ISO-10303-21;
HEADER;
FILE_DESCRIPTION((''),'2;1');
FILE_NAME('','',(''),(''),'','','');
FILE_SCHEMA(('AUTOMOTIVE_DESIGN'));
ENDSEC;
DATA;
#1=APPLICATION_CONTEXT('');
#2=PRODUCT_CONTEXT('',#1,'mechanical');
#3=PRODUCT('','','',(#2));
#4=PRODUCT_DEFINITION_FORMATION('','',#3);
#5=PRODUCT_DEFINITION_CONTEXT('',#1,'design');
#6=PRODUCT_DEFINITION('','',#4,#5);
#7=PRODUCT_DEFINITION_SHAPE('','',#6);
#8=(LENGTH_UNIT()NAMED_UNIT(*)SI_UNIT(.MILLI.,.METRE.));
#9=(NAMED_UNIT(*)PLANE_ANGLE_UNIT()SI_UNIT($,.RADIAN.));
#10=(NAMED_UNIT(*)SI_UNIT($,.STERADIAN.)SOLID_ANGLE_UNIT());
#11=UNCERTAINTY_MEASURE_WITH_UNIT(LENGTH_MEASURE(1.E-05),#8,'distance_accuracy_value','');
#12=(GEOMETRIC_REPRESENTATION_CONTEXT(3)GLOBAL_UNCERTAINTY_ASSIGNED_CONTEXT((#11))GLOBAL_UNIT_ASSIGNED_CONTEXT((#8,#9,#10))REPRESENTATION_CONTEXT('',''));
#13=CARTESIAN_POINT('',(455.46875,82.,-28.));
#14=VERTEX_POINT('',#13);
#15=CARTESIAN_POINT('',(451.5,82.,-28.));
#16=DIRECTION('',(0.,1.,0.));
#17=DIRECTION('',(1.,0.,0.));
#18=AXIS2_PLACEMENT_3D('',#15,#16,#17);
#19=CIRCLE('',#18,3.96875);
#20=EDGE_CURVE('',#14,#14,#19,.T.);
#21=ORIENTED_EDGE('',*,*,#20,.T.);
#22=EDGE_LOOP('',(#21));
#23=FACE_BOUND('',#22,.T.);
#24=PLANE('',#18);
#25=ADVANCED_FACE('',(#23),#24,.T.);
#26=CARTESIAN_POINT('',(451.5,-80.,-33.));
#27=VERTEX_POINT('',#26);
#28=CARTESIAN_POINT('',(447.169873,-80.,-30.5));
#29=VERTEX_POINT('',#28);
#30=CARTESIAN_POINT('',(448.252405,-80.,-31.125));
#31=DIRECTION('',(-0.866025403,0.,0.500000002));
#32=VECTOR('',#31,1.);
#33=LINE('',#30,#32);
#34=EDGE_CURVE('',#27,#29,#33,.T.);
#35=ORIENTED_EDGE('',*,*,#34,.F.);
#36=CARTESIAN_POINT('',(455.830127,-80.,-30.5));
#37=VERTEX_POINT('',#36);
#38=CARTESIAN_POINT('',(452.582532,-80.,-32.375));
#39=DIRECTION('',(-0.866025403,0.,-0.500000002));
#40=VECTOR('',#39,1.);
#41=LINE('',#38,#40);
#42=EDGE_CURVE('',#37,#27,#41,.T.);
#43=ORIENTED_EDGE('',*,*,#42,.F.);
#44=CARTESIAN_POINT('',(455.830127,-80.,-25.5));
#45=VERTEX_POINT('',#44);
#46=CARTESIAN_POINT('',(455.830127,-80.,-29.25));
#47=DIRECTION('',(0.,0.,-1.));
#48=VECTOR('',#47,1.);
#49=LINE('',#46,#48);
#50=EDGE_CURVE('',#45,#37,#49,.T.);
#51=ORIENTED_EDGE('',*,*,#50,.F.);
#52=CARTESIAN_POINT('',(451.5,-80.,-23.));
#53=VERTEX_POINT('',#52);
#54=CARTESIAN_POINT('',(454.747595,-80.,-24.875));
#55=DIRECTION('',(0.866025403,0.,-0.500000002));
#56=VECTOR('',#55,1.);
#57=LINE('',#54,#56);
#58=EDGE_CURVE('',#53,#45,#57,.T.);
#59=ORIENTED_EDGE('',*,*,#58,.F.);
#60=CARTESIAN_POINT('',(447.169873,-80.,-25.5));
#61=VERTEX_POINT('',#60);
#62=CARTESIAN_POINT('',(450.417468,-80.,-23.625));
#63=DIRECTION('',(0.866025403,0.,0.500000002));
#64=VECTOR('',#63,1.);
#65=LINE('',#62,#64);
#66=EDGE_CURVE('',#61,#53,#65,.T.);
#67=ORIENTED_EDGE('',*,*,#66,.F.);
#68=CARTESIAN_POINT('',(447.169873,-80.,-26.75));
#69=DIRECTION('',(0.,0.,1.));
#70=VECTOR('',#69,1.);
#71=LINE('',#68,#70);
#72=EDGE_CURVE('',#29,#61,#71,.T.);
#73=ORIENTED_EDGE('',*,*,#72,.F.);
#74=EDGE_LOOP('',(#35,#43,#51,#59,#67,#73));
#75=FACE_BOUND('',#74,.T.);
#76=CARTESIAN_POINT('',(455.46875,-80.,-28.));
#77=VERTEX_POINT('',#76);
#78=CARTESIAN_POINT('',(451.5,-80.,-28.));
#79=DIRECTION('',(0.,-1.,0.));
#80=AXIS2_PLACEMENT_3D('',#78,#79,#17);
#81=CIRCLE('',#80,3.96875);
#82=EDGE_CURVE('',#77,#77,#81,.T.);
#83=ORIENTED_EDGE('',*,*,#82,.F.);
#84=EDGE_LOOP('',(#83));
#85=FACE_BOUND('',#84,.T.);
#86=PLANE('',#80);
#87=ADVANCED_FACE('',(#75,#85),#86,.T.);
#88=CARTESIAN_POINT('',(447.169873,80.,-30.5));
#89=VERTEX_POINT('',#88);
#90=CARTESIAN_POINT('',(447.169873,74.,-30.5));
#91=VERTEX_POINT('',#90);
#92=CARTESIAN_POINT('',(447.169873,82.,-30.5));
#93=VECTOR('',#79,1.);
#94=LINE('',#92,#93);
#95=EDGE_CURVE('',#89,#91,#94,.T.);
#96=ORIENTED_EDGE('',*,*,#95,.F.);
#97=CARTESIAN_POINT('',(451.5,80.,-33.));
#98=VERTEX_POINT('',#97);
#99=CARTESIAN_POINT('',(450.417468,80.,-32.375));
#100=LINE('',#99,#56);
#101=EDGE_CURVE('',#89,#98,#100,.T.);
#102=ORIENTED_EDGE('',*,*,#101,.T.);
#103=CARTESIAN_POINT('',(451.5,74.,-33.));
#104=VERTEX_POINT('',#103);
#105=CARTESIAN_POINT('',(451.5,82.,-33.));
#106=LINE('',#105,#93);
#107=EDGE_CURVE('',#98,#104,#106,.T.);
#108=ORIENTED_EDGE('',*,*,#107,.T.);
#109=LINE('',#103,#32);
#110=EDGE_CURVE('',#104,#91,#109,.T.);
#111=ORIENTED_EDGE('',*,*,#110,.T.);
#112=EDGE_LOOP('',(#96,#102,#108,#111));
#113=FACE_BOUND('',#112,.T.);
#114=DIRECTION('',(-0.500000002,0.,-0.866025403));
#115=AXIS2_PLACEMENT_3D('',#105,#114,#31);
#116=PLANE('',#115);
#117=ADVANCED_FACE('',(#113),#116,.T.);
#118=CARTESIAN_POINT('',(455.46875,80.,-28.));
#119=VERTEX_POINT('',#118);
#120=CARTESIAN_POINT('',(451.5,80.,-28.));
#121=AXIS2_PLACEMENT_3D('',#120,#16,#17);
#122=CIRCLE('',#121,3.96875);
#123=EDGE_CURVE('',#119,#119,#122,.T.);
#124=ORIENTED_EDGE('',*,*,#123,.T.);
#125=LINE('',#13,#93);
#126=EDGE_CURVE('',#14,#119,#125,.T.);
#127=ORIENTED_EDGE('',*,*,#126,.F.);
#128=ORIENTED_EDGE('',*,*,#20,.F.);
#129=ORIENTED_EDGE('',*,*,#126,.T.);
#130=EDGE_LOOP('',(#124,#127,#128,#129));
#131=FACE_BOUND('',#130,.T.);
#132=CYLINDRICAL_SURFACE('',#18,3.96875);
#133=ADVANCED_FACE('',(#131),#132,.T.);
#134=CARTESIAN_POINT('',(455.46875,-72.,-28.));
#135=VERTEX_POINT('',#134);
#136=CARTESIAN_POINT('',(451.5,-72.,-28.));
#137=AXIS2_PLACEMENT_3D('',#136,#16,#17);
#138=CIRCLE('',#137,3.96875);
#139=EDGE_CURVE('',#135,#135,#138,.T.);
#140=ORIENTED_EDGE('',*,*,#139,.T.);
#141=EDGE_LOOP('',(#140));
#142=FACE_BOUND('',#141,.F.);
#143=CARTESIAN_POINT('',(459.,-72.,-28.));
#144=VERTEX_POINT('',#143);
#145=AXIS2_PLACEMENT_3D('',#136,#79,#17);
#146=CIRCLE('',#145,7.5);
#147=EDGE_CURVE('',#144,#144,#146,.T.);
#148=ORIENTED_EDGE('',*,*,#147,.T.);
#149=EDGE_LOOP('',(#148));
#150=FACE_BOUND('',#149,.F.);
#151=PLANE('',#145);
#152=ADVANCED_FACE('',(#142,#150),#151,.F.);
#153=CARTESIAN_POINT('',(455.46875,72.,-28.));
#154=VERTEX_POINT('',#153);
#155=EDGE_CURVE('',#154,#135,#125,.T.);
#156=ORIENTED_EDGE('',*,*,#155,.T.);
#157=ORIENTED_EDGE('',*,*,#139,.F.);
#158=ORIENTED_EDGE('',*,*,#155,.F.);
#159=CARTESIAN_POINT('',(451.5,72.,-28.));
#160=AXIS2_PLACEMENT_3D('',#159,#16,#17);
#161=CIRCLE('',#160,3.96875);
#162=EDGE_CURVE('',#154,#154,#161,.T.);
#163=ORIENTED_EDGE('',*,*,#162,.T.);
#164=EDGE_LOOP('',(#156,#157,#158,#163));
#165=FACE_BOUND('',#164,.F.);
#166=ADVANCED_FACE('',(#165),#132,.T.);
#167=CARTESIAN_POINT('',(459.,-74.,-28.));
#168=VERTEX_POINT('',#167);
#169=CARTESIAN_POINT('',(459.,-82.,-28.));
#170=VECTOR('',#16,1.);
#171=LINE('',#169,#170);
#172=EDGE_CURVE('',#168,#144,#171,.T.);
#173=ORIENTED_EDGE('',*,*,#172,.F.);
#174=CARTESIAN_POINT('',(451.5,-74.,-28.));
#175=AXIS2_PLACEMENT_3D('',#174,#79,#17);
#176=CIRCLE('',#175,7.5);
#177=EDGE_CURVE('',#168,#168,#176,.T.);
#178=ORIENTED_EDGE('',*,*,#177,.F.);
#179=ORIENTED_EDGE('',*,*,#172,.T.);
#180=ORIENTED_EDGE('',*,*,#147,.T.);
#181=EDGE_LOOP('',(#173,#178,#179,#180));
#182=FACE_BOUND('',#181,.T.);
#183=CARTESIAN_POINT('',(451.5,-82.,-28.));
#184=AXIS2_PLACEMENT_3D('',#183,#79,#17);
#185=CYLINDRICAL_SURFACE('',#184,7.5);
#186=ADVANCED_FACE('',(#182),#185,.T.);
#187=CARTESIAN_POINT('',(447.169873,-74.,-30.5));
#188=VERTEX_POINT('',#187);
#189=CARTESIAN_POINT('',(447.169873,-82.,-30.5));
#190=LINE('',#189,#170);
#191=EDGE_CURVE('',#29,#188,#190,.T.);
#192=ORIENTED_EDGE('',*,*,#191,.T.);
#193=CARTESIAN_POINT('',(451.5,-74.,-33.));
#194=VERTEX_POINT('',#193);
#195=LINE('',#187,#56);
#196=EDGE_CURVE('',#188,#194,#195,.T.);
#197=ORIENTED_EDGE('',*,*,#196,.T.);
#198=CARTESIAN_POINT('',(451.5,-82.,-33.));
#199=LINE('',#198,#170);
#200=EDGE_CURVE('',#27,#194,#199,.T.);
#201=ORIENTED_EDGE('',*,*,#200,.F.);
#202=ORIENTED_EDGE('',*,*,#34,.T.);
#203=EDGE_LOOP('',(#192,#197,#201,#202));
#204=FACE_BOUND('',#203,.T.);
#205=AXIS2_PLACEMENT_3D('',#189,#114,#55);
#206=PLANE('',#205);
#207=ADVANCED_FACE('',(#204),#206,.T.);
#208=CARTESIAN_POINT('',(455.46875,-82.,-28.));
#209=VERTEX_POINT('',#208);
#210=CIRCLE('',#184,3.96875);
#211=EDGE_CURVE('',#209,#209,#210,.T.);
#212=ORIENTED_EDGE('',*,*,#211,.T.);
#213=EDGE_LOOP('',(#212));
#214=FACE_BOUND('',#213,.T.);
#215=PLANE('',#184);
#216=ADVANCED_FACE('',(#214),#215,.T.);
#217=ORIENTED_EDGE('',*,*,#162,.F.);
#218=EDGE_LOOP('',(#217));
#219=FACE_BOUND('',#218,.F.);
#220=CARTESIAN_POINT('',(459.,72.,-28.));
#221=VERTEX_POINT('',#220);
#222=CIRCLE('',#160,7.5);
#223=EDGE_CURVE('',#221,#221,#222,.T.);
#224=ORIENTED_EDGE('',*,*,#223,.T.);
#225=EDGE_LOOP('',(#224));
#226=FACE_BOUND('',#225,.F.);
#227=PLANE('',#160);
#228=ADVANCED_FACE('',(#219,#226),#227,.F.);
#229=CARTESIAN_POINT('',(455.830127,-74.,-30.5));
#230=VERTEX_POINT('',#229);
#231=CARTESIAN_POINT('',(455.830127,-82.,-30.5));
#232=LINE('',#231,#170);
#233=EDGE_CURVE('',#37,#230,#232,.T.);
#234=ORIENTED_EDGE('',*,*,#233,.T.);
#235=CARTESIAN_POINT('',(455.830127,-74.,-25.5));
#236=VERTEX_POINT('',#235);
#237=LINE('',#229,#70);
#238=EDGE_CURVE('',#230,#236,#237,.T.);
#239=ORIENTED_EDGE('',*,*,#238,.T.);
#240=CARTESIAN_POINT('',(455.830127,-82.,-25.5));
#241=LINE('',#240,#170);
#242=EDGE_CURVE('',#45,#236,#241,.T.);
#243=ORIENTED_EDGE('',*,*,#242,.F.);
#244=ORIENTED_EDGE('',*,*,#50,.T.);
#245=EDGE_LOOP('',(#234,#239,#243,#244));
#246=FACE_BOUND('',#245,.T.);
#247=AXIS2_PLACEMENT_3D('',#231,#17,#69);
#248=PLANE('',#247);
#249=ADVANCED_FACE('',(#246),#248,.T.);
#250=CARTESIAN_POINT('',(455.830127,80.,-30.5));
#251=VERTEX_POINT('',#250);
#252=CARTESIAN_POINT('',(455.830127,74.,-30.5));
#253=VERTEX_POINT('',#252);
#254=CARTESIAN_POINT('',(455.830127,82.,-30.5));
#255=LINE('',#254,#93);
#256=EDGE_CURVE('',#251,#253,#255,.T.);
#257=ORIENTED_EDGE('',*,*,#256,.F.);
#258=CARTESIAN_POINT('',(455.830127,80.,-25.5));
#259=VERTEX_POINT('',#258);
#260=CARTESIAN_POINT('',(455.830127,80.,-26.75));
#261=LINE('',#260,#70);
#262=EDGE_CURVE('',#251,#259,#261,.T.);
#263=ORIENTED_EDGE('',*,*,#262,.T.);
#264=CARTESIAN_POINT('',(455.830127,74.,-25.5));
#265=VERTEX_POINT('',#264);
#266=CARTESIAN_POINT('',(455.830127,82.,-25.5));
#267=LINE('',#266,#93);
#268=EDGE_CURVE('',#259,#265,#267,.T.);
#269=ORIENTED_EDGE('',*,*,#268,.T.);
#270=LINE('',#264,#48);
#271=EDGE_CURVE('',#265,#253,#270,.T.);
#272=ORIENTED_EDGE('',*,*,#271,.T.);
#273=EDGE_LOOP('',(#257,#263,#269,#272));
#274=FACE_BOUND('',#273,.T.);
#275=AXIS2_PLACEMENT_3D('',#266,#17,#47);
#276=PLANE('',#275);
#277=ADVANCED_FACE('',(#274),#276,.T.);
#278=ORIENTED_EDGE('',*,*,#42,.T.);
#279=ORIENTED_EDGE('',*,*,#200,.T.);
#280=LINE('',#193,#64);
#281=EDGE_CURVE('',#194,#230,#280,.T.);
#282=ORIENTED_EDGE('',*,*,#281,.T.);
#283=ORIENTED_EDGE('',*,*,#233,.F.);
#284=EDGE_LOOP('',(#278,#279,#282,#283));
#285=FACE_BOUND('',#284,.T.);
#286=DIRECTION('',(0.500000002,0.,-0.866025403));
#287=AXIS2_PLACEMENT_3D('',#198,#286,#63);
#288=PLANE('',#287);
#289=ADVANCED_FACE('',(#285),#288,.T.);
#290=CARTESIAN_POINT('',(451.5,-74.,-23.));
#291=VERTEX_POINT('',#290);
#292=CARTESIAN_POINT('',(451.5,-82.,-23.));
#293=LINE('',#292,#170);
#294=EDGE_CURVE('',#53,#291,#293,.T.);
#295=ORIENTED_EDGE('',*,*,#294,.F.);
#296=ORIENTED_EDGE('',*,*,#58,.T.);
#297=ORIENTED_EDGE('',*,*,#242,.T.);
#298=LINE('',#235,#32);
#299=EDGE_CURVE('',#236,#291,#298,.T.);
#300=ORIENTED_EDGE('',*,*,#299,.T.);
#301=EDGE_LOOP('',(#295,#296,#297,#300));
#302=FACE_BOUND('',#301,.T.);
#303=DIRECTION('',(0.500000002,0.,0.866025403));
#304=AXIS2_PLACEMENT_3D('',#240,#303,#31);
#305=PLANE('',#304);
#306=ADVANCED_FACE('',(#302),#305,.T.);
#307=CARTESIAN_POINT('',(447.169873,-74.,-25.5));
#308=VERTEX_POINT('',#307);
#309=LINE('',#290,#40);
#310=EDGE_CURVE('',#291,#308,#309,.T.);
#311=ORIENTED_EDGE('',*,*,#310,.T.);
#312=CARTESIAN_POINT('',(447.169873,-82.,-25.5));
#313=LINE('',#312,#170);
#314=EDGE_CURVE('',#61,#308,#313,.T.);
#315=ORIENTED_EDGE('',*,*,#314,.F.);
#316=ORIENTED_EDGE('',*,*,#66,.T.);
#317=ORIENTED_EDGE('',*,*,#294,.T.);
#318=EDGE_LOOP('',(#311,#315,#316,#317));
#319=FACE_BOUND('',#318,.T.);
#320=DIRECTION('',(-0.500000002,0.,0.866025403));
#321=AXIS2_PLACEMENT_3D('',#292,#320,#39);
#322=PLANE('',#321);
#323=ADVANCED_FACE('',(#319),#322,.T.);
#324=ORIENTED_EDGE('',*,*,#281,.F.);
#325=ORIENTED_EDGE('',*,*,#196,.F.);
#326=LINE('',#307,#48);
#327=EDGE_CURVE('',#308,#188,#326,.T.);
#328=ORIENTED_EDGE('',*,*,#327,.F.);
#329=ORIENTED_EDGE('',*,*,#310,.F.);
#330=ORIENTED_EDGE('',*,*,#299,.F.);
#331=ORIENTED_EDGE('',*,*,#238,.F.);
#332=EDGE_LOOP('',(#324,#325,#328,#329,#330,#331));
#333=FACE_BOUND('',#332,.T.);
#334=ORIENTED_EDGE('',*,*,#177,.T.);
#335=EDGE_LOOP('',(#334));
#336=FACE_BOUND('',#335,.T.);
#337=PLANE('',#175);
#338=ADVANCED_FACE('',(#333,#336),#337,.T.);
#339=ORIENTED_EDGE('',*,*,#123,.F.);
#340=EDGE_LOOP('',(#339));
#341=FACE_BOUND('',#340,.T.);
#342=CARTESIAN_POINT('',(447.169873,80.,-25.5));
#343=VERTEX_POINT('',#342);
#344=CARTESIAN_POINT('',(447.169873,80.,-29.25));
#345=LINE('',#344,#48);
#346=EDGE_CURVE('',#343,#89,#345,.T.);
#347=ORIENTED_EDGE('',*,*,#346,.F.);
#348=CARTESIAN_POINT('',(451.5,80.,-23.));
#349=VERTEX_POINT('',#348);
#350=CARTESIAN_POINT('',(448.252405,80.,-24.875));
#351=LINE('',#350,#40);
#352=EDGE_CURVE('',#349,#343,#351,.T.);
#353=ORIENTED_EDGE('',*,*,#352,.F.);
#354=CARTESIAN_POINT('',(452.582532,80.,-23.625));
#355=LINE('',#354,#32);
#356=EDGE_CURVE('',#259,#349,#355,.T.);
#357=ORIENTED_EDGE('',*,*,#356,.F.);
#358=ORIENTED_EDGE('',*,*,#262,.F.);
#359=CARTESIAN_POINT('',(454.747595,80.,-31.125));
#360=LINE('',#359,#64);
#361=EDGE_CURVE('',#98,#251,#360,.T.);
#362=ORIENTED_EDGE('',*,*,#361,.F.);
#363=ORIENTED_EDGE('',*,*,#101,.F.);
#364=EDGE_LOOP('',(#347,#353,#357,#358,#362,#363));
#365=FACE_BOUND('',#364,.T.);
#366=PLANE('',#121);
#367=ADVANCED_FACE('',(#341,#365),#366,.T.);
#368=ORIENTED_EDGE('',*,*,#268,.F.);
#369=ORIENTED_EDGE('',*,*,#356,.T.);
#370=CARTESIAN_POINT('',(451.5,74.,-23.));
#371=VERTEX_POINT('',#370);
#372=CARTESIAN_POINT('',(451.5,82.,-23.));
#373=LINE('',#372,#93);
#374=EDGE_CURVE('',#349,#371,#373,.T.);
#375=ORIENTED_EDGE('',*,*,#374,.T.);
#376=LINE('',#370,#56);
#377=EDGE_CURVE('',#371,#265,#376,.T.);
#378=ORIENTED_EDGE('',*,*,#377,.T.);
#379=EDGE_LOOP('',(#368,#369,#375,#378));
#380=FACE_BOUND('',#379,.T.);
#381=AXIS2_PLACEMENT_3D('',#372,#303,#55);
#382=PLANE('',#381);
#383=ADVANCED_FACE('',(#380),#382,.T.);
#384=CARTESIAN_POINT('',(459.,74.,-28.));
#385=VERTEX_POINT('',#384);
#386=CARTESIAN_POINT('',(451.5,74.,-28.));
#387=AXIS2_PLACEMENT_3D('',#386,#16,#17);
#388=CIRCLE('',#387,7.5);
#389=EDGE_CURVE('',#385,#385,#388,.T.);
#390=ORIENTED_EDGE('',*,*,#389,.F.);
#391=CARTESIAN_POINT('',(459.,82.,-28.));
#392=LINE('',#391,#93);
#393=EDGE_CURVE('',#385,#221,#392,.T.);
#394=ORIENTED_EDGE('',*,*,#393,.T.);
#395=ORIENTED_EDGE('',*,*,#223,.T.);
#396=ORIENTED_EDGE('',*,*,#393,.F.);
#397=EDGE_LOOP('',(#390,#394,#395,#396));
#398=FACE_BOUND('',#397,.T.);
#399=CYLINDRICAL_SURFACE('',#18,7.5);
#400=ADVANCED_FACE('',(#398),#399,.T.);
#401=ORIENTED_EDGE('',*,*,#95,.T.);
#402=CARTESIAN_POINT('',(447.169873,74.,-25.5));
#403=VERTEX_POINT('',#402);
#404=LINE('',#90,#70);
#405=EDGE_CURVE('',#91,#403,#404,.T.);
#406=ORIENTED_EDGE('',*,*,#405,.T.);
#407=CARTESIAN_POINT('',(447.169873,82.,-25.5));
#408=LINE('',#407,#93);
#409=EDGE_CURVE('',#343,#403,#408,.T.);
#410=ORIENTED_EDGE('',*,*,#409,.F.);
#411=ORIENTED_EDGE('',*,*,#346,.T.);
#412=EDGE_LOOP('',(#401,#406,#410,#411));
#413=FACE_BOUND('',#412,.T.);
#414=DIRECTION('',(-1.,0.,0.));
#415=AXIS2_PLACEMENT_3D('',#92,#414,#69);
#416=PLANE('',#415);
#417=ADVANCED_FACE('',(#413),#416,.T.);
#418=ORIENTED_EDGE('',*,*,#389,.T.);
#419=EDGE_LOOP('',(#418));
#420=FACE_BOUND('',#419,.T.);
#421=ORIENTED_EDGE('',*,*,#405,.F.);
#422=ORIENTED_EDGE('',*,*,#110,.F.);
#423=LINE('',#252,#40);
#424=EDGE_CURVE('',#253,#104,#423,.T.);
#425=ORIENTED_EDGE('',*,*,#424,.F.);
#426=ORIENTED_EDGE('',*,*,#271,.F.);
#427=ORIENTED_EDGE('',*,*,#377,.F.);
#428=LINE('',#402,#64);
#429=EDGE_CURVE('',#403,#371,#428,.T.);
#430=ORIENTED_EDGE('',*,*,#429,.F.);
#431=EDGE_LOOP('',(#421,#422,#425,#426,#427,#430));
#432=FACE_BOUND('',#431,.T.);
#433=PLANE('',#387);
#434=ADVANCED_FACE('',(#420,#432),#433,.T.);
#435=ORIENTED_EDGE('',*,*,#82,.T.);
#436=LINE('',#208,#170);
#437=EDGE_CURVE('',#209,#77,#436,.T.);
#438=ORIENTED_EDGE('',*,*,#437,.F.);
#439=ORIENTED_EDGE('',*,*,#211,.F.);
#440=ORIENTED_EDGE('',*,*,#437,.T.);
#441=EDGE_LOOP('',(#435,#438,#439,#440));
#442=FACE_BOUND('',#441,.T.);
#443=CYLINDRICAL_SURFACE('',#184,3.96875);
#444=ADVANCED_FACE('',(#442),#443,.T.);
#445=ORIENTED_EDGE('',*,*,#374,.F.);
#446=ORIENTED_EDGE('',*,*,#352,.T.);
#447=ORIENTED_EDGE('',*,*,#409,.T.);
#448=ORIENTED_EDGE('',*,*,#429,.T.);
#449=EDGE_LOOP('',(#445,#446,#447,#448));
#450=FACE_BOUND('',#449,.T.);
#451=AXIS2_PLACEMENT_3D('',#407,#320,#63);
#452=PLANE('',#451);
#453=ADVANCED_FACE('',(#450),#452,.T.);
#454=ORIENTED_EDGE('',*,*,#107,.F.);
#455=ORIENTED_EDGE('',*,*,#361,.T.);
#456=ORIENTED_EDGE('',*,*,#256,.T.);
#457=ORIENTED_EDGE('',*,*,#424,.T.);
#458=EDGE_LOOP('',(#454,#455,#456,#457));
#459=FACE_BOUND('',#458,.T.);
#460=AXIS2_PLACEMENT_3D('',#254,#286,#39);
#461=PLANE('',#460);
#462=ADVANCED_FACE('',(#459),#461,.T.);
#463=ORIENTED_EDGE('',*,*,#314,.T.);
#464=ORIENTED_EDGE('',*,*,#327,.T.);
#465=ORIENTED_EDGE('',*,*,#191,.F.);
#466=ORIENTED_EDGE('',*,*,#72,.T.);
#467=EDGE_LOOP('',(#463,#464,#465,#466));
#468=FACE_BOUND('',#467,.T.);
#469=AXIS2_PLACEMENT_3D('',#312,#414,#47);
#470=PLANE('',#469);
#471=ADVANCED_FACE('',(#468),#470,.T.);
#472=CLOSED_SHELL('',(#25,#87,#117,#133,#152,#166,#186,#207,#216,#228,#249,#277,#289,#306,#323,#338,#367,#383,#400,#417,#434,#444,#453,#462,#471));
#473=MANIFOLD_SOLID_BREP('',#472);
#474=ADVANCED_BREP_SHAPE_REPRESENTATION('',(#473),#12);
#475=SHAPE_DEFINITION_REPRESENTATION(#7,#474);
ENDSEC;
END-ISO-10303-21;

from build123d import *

# Parameters (mm, degrees)
SKETCH013_R     = 3.96875
PAD009_DEPTH    = 164
SKETCH014_R     = 7.5
PAD010_DEPTH    = 10
SKETCH015_R     = 7.5
POCKET003_DEPTH = 8
SKETCH016_R     = 7.5
SKETCH016_R_2   = 3.96875
POCKET004_DEPTH = 2
SKETCH017_R     = 7.5
PAD011_DEPTH    = 10
SKETCH018_R     = 7.5
POCKET005_DEPTH = 8
SKETCH019_R     = 7.5
SKETCH019_R_2   = 3.96875
POCKET006_DEPTH = 2


with BuildPart() as part:
    # Sketch013 → Pad009 (new body)
    with BuildSketch(Plane(origin=(500, 82, 56), x_dir=(1, 0, 0), z_dir=(0, -1, 0))):
        Circle(SKETCH013_R)
    extrude(amount=PAD009_DEPTH)

    # Sketch014 → Pad010 (new body)
    with BuildSketch(Plane(origin=(500, 82, 56), x_dir=(1, 0, 0), z_dir=(0, 1, 0))):
        Circle(SKETCH014_R)
    extrude(amount=-PAD010_DEPTH)

    # Sketch015 → Pocket003 (cut)
    with BuildSketch(Plane(origin=(500, 82, 56), x_dir=(1, 0, 0), z_dir=(0, 1, 0))):
        Circle(SKETCH015_R)
        Polygon((0, 5), (-4.330127, 2.5), (-4.330127, -2.5), (0, -5), (4.330127, -2.5), (4.330127, 2.5), align=None, mode=Mode.SUBTRACT)
    extrude(amount=-POCKET003_DEPTH, mode=Mode.SUBTRACT)

    # Sketch016 → Pocket004 (cut)
    with BuildSketch(Plane(origin=(500, 82, 56), x_dir=(1, 0, 0), z_dir=(0, 1, 0))):
        Circle(SKETCH016_R)
        Circle(SKETCH016_R_2, mode=Mode.SUBTRACT)
    extrude(amount=-POCKET004_DEPTH, mode=Mode.SUBTRACT)

    # Sketch017 → Pad011 (new body)
    with BuildSketch(Plane(origin=(500, -82, 56), x_dir=(1, 0, 0), z_dir=(0, -1, 0))):
        Circle(SKETCH017_R)
    extrude(amount=-PAD011_DEPTH)

    # Sketch018 → Pocket005 (cut)
    with BuildSketch(Plane(origin=(500, -82, 56), x_dir=(1, 0, 0), z_dir=(0, -1, 0))):
        Circle(SKETCH018_R)
        Polygon((0, 5), (-4.330127, 2.5), (-4.330127, -2.5), (0, -5), (4.330127, -2.5), (4.330127, 2.5), align=None, mode=Mode.SUBTRACT)
    extrude(amount=-POCKET005_DEPTH, mode=Mode.SUBTRACT)

    # Sketch019 → Pocket006 (cut)
    with BuildSketch(Plane(origin=(500, -82, 56), x_dir=(1, 0, 0), z_dir=(0, -1, 0))):
        Circle(SKETCH019_R)
        Circle(SKETCH019_R_2, mode=Mode.SUBTRACT)
    extrude(amount=-POCKET006_DEPTH, mode=Mode.SUBTRACT)


with BuildPart() as part_1:
    # Clone014 placement: moved
    add(part.part.moved(Location((-48.5, 0, -84))))


solid = part_1.part
